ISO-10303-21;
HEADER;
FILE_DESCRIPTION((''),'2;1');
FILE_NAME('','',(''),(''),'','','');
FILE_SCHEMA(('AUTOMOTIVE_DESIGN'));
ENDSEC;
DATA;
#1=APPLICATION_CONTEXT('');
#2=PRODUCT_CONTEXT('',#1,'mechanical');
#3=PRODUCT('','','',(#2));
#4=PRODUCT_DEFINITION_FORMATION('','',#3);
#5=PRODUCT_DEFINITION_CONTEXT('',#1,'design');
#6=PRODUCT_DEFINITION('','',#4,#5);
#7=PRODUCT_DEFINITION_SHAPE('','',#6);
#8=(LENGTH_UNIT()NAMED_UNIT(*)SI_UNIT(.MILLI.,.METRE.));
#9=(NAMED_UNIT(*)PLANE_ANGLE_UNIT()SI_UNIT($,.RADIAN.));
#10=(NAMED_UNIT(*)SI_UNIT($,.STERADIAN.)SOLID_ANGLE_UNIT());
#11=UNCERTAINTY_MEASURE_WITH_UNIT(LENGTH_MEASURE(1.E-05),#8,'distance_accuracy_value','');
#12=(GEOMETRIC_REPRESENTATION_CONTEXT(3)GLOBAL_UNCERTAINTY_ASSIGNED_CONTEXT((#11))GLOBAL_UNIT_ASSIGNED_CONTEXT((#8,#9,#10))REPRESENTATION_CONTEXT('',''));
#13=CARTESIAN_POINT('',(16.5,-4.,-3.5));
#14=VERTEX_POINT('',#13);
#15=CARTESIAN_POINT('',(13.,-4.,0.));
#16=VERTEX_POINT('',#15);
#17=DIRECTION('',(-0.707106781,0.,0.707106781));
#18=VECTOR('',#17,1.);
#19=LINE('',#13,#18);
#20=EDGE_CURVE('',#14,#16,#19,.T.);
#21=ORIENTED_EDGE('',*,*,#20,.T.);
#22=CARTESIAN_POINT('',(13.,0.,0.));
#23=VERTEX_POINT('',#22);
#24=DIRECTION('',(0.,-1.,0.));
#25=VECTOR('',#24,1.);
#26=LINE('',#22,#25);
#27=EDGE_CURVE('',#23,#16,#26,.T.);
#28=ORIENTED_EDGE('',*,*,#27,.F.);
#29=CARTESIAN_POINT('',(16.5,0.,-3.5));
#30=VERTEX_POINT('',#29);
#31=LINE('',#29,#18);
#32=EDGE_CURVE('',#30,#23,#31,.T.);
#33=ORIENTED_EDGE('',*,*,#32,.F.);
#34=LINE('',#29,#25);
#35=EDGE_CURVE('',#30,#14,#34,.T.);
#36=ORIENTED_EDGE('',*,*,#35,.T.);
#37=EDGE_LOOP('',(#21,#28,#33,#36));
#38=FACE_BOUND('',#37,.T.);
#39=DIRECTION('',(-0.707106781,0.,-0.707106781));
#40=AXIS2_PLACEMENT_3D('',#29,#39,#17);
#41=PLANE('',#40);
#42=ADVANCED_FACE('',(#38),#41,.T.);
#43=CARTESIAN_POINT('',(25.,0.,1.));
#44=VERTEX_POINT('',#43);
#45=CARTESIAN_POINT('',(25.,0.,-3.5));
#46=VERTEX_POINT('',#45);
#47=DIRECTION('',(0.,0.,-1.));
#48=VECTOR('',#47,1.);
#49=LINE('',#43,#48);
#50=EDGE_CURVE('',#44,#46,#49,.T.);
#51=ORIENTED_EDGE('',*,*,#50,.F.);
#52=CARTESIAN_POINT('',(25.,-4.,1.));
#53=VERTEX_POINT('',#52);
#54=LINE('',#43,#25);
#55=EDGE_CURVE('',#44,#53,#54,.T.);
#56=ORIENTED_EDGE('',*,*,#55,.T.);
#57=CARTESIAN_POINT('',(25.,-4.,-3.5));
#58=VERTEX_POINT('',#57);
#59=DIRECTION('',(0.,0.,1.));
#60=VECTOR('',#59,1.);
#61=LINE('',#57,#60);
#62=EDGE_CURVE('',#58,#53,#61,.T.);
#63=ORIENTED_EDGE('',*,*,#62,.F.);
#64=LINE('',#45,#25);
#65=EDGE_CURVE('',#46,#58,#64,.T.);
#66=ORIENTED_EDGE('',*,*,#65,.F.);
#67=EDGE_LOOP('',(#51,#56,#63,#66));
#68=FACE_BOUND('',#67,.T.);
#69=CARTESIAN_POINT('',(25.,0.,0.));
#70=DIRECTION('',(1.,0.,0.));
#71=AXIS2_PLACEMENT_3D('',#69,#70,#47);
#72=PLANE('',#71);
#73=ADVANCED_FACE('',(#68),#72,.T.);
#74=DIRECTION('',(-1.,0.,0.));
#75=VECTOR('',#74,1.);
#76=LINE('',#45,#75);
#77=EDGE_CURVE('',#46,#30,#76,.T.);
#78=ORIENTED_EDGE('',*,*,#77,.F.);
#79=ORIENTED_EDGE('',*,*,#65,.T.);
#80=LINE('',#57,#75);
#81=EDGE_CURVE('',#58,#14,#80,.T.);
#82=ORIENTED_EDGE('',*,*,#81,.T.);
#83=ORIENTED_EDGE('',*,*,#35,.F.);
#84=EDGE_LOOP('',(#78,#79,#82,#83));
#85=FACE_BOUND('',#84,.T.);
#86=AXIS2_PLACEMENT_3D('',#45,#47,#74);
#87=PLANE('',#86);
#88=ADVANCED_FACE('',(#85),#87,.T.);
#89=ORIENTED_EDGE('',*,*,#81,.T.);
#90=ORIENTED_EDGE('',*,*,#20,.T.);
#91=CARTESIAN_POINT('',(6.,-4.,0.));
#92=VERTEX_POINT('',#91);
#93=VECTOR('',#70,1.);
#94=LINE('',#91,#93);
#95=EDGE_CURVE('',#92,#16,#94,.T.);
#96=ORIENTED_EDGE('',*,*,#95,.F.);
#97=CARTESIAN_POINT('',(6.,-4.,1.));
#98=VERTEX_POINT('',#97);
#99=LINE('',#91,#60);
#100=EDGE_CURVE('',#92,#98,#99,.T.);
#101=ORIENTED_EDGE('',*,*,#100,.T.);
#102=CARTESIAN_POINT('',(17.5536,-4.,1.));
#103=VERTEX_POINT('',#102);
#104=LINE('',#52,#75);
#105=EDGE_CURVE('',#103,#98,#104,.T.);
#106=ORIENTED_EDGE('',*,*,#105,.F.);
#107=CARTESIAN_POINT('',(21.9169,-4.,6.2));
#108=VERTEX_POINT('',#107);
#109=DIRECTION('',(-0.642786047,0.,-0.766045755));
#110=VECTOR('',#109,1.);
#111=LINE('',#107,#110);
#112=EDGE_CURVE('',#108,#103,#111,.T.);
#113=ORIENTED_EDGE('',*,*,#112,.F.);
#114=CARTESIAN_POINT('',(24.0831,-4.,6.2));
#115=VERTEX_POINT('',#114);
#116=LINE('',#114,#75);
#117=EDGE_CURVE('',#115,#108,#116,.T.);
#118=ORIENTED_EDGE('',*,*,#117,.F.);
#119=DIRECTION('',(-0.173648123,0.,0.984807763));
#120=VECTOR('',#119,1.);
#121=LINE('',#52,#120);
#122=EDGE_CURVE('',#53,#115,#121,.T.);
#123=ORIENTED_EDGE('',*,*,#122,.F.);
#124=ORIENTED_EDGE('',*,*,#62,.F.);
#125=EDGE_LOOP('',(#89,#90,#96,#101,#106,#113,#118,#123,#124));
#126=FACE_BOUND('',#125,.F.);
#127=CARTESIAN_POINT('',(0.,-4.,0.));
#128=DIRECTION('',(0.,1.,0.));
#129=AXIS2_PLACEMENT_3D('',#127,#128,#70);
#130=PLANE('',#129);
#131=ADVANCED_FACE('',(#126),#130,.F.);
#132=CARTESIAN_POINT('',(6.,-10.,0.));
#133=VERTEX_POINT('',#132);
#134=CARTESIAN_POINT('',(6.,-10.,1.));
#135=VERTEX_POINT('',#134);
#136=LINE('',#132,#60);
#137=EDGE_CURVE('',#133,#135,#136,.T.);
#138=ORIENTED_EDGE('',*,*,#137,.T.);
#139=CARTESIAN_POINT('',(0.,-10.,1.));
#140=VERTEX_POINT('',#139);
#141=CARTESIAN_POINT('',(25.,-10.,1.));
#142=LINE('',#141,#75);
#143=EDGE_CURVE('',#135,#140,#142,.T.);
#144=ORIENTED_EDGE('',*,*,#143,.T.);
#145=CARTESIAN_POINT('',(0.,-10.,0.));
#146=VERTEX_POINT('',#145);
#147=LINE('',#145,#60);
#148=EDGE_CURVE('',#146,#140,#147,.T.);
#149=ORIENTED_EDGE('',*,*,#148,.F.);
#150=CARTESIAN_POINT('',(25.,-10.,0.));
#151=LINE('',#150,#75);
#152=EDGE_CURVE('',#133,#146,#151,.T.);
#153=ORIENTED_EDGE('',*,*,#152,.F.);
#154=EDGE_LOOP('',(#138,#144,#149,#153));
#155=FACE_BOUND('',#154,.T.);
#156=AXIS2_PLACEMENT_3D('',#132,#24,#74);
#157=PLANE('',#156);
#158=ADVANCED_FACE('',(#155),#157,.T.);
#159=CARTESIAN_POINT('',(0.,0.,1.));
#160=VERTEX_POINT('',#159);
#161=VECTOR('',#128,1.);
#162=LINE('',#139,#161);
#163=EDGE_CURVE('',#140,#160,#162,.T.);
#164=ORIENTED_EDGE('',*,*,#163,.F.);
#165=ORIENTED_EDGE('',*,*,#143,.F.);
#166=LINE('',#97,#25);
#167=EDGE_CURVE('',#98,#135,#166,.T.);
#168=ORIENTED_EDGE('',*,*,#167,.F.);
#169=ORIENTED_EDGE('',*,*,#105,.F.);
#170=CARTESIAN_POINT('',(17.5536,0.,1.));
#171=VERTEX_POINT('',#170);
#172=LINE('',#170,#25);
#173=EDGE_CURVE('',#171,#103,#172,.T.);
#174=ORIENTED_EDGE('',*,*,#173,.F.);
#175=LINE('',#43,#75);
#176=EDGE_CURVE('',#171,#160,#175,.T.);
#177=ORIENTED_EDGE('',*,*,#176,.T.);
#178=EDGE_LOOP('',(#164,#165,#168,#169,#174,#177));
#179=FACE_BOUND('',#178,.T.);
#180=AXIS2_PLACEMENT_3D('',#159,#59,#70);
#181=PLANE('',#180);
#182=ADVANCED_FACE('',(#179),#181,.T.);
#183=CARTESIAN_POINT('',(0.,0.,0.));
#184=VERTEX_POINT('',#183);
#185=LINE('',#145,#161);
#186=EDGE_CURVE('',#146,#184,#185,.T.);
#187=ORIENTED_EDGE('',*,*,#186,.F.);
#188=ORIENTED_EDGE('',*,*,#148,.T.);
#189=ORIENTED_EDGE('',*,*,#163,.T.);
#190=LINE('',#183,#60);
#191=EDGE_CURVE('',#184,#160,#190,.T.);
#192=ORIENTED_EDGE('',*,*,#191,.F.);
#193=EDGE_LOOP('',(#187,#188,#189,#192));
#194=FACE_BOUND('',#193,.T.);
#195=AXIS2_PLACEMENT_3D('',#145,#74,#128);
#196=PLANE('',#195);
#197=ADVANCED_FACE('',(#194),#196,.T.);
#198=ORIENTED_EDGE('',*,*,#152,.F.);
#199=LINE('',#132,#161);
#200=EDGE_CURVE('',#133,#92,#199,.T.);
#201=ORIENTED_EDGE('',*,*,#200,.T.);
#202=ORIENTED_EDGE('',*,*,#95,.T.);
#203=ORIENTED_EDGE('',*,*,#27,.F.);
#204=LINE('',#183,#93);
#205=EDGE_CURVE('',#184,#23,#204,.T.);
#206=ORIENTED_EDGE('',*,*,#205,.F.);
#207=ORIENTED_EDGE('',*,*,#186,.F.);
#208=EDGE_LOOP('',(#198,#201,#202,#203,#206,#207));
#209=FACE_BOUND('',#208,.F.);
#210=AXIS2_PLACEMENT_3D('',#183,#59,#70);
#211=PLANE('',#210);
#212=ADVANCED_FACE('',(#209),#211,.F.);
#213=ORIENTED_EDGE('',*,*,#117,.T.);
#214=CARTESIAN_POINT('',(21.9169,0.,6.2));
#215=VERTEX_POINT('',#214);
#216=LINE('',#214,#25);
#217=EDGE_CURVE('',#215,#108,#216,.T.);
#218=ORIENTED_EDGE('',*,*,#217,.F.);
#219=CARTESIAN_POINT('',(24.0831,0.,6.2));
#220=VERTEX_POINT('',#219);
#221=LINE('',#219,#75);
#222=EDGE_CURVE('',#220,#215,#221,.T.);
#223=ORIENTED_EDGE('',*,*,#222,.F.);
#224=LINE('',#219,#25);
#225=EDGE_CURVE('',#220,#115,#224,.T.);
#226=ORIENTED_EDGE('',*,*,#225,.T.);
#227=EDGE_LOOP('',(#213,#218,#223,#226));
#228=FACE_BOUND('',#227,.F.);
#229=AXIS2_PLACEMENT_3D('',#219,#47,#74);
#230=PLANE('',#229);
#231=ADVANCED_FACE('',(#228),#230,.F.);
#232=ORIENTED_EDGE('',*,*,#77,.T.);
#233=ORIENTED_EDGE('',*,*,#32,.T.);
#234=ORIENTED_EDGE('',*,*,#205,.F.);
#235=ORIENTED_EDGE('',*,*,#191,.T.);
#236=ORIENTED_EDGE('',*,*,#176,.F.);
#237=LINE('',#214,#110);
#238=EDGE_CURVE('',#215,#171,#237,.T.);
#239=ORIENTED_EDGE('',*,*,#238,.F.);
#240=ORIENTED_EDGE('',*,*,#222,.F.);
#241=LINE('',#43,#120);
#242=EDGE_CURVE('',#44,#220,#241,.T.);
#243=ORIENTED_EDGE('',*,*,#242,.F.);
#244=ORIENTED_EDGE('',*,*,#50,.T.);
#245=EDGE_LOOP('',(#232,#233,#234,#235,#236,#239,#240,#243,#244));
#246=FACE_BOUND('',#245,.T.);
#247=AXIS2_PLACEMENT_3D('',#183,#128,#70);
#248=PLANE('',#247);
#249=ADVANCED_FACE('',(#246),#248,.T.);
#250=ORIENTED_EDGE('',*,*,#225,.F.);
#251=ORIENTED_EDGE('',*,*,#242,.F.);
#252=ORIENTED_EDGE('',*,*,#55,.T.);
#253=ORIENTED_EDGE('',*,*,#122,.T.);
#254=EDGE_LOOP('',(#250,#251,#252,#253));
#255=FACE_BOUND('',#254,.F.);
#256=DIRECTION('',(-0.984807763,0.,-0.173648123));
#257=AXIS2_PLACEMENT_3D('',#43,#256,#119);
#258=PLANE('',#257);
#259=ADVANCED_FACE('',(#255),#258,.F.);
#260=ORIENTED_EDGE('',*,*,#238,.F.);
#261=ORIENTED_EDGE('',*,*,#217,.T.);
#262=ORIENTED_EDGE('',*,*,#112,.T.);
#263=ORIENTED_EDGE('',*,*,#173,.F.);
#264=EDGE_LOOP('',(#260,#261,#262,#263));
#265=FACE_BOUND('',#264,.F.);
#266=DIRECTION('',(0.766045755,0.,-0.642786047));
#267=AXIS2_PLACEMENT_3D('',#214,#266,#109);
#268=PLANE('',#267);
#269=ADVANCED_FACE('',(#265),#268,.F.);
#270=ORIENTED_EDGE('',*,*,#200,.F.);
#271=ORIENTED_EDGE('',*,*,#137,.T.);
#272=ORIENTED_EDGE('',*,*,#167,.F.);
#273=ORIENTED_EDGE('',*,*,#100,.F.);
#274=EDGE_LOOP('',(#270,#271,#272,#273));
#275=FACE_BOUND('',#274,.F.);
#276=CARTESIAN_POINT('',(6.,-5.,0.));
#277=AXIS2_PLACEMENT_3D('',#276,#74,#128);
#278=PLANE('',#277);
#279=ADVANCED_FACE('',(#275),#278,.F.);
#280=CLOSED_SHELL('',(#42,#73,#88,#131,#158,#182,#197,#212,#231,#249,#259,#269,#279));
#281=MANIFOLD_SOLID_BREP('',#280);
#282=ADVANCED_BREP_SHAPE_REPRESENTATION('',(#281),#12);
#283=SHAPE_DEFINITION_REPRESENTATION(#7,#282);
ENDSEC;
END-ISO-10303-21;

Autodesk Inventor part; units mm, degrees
ref_plane "YZ Plane" through (0, 0, 0) normal (1, 0, 0) x (0, 1, 0)
ref_plane "XZ Plane" through (0, 0, 0) normal (0, 1, 0) x (-1, 0, 0)
ref_plane "XY Plane" through (0, 0, 0) normal (0, 0, 1) x (1, 0, 0)
sketch "草圖1" plane through (0, 0, 0) normal (0, 0, 1) x (1, 0, 0)
  line L0 (0, 0) -> (25, 0)
  line L1 (25, 0) -> (25, -10)
  line L2 (25, -10) -> (0, -10)
  line L3 (0, -10) -> (0, 0)
  line L4 (25, 0) -> (7, 0)
  line L5 (7, 0) -> (7, -4)
  line L6 (7, -4) -> (25, -4)
  line L7 (25, -4) -> (25, 0)
  line L8 (26, -5) -> (6, -5)
  line L9 (6, -5) -> (6, 1)
  line L10 (6, 1) -> (26, 1)
  line L11 (26, 1) -> (26, -5)
  line L12 (7, -4) -> (6, -4)
  line L13 (6, -5) -> (6, -10)
  point P0 (25, -5)
  dimension "d0" = 25
  dimension "d1" = 10
  dimension "d2" = 18
  dimension "d3" = 4
  dimension "d4" = 1
extrude "擠出1" add sketch "草圖1" along normal blind 1 contours L5 L12 L9 L0 | L0 L1 L6 L5 | L9 L13 L2 L3 L0
sketch "草圖2" plane through (0, 0, 0) normal (0, 1, 0) x (1, 0, 0)
  line L0 (25, -1) -> (0, -1) projected
  line L1 (25, -1) -> (24.0831, -6.2)
  line L2 (24.0831, -6.2) -> (21.9169, -6.2)
  line L3 (21.9169, -6.2) -> (17.5536, -1)
  point P0 (0, 0)
  point P1 (23, -6.2)
  dimension "d7" = 5.2
  dimension "d8" = 2
  dimension "d9" = 80
  dimension "d10" = 50
extrude "擠出2" add sketch "草圖2" against normal up to surface (4 mm away)
sketch "草圖3" plane through (0, 0, 0) normal (0, 1, 0) x (1, 0, 0)
  line L0 (25, 0) -> (0, 0) projected
  line L1 (0, 0) -> (0, -1) projected
  line L2 (17.5536, -1) -> (0, -1) projected
  line L3 (17.5536, -1) -> (21.9169, -6.2) projected
  line L4 (21.9169, -6.2) -> (24.0831, -6.2) projected
  line L5 (24.0831, -6.2) -> (25, -1) projected
  line L6 (25, 0) -> (25, -1) projected
  line L7 (25, 0) -> (25, 3.5)
  line L8 (25, 3.5) -> (16.5, 3.5)
  line L9 (16.5, 3.5) -> (13, 0)
  dimension "d13" = 12
  dimension "d14" = 45
  dimension "d15" = 3.5
extrude "擠出3" add sketch "草圖3" against normal up to surface (4 mm away) contours L0 L9 L8 L7
properties part number "botton_3D 列印"
